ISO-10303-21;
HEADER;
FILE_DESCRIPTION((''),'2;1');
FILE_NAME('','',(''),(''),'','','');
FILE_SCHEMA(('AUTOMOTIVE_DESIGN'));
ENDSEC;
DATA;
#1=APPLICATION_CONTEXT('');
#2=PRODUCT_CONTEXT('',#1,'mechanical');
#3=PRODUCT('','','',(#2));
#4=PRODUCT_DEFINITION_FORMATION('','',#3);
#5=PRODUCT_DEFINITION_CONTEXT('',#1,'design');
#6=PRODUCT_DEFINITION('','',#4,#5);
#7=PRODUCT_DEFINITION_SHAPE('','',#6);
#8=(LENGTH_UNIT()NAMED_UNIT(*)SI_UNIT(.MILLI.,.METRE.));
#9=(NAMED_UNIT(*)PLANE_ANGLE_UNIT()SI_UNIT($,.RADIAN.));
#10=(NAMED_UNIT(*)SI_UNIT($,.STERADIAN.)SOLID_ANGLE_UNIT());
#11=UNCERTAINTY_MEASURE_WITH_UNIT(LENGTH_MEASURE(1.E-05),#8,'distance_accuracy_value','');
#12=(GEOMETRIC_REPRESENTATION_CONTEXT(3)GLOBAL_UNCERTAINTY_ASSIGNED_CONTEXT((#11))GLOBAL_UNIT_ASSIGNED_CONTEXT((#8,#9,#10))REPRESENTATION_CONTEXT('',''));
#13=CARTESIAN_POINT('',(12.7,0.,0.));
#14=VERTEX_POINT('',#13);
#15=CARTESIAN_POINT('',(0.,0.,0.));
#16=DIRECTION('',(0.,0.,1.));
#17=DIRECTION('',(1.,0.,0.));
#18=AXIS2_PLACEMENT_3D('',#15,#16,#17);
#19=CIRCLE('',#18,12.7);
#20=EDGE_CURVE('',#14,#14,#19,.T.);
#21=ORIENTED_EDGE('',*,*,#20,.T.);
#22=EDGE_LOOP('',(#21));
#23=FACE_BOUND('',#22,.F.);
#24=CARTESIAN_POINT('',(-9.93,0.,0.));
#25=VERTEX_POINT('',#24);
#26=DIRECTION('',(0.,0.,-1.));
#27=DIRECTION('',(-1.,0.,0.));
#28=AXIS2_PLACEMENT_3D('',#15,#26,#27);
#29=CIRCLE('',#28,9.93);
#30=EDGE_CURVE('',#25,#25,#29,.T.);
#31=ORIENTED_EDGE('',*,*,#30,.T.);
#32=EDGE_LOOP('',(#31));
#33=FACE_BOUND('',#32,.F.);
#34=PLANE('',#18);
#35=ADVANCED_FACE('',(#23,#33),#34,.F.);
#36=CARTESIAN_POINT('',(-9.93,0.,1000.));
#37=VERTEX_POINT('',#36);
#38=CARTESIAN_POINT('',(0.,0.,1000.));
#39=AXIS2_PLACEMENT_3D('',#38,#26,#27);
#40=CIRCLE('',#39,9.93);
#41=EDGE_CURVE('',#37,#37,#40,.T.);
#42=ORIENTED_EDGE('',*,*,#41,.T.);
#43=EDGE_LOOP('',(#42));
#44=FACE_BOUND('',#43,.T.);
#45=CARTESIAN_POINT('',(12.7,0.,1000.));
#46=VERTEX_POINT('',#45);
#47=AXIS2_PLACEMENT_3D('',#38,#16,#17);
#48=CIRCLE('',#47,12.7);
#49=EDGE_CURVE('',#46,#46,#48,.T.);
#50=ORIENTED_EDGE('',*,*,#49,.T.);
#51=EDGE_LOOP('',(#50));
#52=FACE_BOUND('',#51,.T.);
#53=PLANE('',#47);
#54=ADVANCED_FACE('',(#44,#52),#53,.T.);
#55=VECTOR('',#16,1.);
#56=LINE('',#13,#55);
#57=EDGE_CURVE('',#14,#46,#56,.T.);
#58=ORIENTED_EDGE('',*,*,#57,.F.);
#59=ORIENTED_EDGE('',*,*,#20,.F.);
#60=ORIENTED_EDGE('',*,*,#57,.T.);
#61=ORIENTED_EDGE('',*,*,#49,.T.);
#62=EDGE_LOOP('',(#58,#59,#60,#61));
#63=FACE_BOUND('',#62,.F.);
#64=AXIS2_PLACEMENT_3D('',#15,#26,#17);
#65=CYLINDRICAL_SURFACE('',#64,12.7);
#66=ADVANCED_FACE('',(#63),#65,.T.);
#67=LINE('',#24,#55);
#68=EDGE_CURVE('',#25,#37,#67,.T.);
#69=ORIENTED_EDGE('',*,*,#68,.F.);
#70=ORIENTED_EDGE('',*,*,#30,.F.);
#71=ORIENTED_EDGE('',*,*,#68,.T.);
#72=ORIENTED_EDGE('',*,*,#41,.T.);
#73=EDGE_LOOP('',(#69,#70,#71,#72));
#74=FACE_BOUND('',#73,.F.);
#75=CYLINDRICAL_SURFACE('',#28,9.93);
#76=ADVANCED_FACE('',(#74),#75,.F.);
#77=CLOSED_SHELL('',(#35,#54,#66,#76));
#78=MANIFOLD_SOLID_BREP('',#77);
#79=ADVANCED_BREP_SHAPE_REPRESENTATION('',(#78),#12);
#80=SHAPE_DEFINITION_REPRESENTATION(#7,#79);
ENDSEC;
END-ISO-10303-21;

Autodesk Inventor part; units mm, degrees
ref_plane "YZ Plane" through (0, 0, 0) normal (1, 0, 0) x (0, 1, 0)
ref_plane "Start plane" through (0, 0, 0) normal (0, 0, 1) x (1, 0, 0)
ref_plane "End plane" through (0, 0, 1000) normal (0, 0, 1) x (1, 0, 0)
sketch "Sketch" plane through (0, 0, 0) normal (0, 0, 1) x (1, 0, 0)
  circle A0 centre (0, 0) radius 12.7
  dimension "d0" = 25.4
extrude "Body" add sketch "Sketch" along normal up to surface (1000 mm away) from surface at 0
sketch "Sketch2" plane through (0, 0, 0) normal (0, 0, 1) x (1, 0, 0)
  line L0 (0, 0) -> (10, 0)
ref_plane "Work Plane3" through (0, 0, 0) normal (0, -1, 0) x (1, 0, 0)
sketch "Sketch3" plane through (0, 0, 0) normal (0, -1, 0) x (1, 0, 0)
  line L0 (-2, 0) -> (12, 0)
  line L1 (-2, 1000) -> (12, 1000)
  dimension "d7" = 1000
sketch "Sketch4" plane through (0, 0, 0) normal (0, 0, -1) x (-1, 0, 0)
  circle A0 centre (0, 0) radius 9.93
  dimension "d8" = 19.86
extrude "Extrusion2" cut sketch "Sketch4" against normal blind 1000
equation "\"d0\" = Diam"
equation "\"d1\" = G_L"
equation "\"Diam\" = 25.4"
equation "\"G_L\" = d7"
equation "\"G_OFFSET_START\" = 0"
equation "\"G_OFFSET_END\" = 0"
properties part number "ANSI/AISC Rolled Steel - 1-39,37" material "Steel ASTM 213 TP304"
